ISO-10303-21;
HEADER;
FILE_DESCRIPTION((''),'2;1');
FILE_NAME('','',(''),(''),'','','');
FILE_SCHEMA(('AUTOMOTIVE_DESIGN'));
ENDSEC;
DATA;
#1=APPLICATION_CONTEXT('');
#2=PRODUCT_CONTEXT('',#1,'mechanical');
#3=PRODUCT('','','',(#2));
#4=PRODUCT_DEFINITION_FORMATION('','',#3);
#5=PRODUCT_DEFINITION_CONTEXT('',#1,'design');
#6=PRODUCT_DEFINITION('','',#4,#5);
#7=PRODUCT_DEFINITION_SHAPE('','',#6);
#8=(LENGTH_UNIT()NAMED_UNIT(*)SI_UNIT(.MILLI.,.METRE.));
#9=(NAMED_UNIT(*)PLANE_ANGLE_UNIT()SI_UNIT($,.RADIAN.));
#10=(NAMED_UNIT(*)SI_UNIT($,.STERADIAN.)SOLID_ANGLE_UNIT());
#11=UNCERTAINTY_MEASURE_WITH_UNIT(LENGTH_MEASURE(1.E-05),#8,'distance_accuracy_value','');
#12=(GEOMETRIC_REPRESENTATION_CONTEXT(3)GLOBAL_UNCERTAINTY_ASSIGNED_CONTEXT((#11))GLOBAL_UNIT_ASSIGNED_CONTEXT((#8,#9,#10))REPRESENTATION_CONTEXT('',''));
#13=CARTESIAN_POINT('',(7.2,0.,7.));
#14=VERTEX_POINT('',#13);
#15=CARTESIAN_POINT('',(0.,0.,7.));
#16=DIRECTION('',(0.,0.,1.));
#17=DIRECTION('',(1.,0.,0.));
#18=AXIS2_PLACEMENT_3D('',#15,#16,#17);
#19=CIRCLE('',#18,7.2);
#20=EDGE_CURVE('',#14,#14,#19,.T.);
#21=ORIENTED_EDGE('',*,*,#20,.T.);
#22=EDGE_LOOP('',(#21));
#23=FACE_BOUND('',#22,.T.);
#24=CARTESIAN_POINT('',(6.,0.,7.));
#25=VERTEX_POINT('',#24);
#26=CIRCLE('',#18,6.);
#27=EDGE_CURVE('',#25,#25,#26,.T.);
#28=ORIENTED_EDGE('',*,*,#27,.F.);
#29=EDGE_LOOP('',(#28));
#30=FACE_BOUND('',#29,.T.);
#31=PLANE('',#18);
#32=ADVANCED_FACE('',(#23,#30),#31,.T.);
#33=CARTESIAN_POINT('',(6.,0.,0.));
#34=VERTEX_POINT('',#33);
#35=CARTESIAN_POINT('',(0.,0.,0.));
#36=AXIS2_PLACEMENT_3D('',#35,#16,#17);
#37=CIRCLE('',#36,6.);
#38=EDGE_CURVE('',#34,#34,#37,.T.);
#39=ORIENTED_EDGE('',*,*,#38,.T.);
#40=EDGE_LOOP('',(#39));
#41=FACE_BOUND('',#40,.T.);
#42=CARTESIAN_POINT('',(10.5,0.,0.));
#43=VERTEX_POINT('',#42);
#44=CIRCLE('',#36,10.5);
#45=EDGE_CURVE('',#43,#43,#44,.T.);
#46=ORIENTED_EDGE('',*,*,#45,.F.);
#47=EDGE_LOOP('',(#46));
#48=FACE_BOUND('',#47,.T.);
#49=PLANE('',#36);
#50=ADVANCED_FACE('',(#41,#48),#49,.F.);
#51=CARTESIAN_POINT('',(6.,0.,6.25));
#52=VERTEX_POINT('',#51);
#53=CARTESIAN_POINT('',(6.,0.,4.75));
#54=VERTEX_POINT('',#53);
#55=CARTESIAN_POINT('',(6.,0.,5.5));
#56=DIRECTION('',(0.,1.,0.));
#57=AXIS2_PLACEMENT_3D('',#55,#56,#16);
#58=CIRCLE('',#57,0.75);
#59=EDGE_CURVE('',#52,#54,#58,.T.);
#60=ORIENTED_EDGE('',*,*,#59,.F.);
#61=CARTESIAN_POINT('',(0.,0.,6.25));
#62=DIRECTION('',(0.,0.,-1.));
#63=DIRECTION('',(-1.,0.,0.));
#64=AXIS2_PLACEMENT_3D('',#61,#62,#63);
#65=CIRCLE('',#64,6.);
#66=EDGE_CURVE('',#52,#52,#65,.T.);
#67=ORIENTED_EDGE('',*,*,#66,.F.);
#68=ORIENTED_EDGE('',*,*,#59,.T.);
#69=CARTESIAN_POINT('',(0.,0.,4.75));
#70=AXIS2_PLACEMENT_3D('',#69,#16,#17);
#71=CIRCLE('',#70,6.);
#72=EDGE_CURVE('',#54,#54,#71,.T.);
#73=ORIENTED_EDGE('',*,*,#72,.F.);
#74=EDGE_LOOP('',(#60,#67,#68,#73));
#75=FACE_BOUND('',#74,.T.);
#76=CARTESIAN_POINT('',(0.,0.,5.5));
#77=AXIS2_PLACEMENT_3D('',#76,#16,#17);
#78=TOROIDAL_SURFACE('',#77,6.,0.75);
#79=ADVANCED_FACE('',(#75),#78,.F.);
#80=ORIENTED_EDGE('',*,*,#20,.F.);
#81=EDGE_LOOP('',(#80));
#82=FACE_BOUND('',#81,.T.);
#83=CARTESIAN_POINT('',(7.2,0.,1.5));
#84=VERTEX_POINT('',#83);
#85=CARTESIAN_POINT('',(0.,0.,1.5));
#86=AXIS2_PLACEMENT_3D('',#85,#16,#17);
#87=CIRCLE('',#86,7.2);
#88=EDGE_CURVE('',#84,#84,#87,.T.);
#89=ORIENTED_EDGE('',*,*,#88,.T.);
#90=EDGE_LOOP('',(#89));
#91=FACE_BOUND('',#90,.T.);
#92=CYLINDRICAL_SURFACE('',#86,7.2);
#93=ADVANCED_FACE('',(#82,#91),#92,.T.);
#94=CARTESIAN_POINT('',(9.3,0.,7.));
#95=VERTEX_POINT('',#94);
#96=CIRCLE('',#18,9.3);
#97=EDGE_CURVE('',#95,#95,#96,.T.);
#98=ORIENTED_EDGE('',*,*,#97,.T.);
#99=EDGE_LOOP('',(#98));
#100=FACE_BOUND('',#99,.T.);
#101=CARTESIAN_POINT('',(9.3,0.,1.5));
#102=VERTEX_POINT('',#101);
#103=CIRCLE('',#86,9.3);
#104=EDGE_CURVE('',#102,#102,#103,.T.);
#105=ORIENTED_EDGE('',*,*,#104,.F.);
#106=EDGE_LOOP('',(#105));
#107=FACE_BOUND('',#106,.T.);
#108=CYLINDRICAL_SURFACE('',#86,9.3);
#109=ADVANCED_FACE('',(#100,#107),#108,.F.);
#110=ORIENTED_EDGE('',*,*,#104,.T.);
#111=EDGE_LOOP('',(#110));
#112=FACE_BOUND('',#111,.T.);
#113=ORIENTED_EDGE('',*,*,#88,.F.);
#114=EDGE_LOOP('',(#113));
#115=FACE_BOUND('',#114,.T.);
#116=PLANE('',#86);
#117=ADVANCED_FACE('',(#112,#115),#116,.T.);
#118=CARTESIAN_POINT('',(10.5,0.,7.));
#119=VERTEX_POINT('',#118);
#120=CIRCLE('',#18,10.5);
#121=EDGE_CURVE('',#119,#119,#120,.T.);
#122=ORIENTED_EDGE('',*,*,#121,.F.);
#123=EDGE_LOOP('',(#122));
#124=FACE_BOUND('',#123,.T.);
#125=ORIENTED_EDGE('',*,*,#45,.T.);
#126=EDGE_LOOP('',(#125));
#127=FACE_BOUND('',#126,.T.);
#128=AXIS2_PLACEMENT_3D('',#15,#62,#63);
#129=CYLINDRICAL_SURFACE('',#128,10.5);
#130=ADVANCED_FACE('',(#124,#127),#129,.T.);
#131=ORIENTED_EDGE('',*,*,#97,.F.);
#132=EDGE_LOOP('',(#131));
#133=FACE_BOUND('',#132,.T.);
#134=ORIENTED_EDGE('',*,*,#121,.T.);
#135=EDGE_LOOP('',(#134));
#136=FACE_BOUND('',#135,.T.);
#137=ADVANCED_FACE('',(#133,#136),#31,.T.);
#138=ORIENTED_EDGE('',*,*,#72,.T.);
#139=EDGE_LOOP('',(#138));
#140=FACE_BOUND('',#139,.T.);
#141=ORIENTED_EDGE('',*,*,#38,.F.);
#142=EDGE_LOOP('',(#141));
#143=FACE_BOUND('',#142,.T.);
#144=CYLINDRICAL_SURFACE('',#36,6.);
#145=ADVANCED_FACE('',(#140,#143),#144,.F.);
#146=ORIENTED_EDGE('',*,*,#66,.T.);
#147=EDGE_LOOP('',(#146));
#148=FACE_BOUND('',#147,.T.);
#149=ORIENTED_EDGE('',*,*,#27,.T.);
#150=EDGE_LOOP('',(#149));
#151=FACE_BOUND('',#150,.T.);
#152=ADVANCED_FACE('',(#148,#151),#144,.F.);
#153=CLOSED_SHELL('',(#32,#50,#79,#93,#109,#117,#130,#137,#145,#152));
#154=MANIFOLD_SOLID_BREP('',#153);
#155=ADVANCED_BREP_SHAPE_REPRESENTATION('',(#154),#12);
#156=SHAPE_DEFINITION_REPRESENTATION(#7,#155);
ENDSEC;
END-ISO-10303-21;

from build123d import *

# Parameters (mm, degrees)
SKETCH_1_R          = 10.5
EXTRUDE_1_DEPTH     = 7
SKETCH_2_R          = 6
CUT_EXTRUDE_1_DEPTH = 17.416455159
SKETCH_3_R          = 9.3
SKETCH_3_R_2        = 7.2
CUT_EXTRUDE_2_DEPTH = 5.5
SWEEP_1_PROFILE_R   = 0.75


with BuildPart() as part:
    # 草图1 → 凸台-拉伸1 (new body)
    with BuildSketch(Plane.XY):
        Circle(SKETCH_1_R)
    extrude(amount=EXTRUDE_1_DEPTH)

    # 草图2 → 切除-拉伸1 (cut, through all)
    with BuildSketch(Plane.XY.offset(7)):
        Circle(SKETCH_2_R)
    extrude(amount=-CUT_EXTRUDE_1_DEPTH, mode=Mode.SUBTRACT)

    # 草图3 → 切除-拉伸2 (cut)
    with BuildSketch(Plane.XY.offset(7)):
        Circle(SKETCH_3_R)
        Circle(SKETCH_3_R_2, mode=Mode.SUBTRACT)
    extrude(amount=-CUT_EXTRUDE_2_DEPTH, mode=Mode.SUBTRACT)

    # 切除-扫描1: sweep along a path in 草图5
    with BuildLine(Plane.XY.offset(5.5)) as sweep_1_path:
        CenterArc((0, 0), 6, 0, 360)
    # 切除-扫描1 profile (on start of the path) → 切除-扫描1 (sweep, cut)
    with BuildSketch(Plane(origin=(6, 0, 5.5), x_dir=(0, 0, 1), z_dir=(0, 1, 0))):
        Circle(SWEEP_1_PROFILE_R)
    sweep(path=sweep_1_path.line, mode=Mode.SUBTRACT)


solid = part.part
